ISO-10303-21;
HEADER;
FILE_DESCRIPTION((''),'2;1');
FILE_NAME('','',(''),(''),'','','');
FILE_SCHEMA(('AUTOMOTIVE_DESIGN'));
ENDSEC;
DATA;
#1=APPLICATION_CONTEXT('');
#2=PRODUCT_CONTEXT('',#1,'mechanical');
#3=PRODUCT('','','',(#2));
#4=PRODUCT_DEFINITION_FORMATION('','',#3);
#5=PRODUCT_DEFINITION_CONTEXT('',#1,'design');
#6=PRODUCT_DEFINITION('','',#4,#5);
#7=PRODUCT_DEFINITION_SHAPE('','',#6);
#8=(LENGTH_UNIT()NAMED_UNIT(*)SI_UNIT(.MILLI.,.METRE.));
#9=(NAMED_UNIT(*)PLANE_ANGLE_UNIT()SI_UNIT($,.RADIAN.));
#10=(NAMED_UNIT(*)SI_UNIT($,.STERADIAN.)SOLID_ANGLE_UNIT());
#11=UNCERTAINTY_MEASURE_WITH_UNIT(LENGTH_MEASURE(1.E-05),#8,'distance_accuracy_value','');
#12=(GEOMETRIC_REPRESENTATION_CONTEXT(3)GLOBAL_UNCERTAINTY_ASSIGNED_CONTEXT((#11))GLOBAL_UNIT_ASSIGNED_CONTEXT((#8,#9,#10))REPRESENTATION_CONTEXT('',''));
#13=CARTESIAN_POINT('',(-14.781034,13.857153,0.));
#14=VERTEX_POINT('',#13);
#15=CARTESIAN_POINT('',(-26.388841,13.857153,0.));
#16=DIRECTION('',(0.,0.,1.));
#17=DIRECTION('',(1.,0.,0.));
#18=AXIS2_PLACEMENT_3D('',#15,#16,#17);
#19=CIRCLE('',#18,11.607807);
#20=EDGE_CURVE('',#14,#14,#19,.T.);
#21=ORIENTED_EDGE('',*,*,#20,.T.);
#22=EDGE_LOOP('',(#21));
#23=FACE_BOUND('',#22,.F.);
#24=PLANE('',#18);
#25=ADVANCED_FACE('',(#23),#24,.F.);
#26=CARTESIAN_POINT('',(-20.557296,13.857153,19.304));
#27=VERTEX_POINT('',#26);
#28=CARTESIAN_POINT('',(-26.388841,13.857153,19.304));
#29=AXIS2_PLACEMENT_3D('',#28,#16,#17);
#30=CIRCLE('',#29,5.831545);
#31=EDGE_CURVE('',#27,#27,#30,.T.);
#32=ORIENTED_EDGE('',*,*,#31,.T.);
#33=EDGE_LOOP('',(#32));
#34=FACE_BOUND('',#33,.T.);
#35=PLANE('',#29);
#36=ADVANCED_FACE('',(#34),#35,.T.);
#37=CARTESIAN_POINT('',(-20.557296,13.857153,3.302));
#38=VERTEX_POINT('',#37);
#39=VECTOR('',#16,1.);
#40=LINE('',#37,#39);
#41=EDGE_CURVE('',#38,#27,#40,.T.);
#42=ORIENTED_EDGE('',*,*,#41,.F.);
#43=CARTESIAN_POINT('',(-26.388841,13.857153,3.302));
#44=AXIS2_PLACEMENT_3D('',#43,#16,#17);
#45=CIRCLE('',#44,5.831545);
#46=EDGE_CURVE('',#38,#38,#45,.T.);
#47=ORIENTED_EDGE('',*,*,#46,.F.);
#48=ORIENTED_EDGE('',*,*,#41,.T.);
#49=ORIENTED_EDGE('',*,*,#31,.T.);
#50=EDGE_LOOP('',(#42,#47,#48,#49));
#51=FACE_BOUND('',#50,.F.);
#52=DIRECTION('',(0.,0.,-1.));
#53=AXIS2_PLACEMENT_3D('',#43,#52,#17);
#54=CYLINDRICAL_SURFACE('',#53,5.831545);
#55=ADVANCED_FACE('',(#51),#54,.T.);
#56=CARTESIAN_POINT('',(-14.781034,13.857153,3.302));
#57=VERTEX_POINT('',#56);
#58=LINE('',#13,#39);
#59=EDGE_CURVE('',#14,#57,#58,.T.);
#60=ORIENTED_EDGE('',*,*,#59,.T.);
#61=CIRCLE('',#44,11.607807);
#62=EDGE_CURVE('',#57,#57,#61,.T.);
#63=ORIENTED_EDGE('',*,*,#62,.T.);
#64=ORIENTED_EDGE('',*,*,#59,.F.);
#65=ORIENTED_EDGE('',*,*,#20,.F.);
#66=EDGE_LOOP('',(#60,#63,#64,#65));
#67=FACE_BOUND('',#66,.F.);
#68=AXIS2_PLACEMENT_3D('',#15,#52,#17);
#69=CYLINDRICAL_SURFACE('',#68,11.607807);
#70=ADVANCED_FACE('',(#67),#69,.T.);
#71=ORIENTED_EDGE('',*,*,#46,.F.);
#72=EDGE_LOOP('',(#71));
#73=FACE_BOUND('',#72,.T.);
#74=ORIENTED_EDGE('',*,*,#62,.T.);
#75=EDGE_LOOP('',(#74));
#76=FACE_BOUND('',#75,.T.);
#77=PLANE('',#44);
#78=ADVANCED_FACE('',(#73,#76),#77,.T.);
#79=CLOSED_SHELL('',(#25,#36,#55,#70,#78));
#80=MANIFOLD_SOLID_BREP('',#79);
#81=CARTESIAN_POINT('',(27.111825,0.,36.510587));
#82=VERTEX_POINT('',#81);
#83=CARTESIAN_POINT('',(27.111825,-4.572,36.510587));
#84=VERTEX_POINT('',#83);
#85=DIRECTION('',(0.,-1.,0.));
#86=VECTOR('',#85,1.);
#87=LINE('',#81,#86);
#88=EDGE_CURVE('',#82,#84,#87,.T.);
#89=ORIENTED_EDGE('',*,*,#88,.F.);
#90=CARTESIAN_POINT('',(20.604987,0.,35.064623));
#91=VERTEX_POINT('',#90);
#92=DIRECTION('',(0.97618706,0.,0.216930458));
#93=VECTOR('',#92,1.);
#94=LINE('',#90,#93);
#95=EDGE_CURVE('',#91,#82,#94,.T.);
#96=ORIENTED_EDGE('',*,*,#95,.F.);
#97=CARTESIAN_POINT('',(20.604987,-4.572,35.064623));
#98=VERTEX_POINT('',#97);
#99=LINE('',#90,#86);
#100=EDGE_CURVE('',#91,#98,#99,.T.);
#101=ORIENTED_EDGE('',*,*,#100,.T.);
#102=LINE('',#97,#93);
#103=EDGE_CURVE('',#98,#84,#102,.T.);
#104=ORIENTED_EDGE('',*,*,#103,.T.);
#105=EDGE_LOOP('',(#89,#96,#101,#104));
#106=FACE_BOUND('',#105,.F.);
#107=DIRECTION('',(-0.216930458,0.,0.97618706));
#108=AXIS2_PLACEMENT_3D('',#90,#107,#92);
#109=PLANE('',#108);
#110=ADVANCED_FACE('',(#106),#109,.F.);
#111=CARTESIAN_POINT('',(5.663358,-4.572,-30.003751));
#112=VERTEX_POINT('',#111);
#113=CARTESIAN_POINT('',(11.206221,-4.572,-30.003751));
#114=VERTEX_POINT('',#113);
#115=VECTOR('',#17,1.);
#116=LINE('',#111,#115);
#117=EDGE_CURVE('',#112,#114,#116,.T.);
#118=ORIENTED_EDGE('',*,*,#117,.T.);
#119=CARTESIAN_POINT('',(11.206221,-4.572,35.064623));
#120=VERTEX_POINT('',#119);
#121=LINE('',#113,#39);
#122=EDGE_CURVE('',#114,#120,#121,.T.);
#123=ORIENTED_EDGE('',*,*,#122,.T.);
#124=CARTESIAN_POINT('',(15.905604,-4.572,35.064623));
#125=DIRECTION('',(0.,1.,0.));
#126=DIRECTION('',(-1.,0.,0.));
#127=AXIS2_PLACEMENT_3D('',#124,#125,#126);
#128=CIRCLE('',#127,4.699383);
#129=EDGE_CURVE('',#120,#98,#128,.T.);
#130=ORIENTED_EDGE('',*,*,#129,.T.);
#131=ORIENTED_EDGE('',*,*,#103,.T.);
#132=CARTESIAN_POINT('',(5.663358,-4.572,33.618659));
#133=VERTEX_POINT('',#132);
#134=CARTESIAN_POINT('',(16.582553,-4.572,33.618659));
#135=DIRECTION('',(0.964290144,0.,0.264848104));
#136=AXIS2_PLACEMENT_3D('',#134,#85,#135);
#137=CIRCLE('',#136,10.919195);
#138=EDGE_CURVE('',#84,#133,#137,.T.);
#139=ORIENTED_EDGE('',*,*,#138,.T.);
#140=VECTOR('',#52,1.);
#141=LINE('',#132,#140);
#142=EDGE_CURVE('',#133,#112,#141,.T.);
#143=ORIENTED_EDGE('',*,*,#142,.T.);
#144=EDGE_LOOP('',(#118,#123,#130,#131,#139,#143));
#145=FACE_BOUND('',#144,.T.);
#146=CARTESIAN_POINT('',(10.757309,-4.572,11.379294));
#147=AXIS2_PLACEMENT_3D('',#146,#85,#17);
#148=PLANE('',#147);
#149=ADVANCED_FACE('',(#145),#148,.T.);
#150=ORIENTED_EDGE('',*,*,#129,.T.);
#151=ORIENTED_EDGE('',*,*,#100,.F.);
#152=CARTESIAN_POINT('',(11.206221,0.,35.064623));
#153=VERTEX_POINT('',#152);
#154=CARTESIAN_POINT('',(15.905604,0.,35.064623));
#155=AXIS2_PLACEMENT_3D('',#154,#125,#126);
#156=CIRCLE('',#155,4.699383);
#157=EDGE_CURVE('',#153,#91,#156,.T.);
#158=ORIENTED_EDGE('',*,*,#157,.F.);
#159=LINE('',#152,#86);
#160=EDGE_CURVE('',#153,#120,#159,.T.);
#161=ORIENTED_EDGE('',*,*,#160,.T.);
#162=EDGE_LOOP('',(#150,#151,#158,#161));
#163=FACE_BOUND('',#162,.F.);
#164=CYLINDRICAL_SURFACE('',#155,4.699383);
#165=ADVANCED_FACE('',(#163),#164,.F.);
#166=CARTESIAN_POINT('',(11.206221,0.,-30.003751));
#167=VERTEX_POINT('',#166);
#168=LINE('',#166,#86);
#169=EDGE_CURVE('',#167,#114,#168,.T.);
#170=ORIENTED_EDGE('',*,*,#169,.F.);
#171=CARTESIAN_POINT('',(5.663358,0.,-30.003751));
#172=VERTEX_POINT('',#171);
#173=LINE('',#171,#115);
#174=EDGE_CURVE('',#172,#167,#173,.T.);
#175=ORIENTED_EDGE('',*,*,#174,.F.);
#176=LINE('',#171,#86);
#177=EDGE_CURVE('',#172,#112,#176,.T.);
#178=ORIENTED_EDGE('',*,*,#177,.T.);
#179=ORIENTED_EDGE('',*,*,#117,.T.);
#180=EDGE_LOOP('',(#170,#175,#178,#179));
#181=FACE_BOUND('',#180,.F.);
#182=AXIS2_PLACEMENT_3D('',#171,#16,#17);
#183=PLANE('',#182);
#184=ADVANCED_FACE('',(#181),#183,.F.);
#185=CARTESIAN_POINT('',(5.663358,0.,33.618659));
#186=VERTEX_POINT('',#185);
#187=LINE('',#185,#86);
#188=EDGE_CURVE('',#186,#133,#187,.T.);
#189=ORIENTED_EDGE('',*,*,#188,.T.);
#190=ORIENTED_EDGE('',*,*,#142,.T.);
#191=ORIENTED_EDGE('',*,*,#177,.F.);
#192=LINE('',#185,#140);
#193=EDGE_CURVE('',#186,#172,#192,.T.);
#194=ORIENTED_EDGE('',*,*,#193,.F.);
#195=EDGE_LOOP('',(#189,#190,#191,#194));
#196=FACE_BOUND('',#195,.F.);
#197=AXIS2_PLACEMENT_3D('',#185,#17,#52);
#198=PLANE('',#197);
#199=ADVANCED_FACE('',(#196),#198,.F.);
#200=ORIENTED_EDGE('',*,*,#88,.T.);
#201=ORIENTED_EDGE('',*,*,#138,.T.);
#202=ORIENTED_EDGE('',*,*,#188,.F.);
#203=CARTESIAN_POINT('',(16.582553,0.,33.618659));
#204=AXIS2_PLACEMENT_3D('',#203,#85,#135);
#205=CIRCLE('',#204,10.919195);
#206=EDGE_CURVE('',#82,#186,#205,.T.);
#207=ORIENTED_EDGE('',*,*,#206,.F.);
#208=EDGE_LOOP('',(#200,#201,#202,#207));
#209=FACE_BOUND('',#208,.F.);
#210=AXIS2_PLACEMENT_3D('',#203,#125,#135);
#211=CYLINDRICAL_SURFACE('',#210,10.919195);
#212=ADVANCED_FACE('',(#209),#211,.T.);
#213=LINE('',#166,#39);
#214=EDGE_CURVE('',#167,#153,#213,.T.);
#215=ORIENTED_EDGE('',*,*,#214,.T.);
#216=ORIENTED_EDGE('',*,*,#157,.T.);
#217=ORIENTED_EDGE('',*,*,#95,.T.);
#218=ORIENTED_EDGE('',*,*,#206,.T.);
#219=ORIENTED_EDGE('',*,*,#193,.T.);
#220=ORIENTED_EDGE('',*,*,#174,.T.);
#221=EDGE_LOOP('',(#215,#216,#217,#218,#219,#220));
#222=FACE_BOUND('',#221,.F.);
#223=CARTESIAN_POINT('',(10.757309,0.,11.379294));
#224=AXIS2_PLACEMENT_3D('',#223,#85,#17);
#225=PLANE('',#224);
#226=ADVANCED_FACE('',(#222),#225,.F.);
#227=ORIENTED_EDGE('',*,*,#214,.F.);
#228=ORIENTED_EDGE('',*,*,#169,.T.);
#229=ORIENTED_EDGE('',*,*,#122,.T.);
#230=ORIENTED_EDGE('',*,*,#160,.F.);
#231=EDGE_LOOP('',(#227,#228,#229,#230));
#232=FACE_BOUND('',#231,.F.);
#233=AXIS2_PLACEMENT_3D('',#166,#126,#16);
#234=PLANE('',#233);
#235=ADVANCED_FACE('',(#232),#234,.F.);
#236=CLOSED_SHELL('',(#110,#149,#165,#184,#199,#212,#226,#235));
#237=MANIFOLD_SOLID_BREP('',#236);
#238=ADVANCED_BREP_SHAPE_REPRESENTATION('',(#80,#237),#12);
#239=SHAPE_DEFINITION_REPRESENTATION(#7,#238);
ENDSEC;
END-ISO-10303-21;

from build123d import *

# Parameters (mm, degrees)
F1_DEPTH = 4.572
F2_R     = 11.607807
F3_DEPTH = 3.302
F4_R     = 5.831545
F5_DEPTH = 16.002


with BuildPart() as f1:
    # F0 (on Front) → F1 (new body)
    with BuildSketch(Plane.XZ):
        with BuildLine():
            Line((5.663358, 16.267093), (5.663358, -10.242244))
            Line((5.663358, -10.242244), (5.663358, -30.003751))
            Line((5.663358, -30.003751), (11.206221, -30.003751))
            Line((11.206221, -30.003751), (11.206221, -10.483238))
            Line((11.206221, -10.483238), (11.206221, 16.0261))
            Line((11.206221, 16.0261), (11.206221, 35.064623))
            ThreePointArc((11.206221, 35.064623), (15.905604, 39.764006), (20.604987, 35.064623))
            Line((20.604987, 35.064623), (27.111825, 36.510587))
            ThreePointArc((27.111825, 36.510587), (15.123504, 44.439934), (5.663358, 33.618659))
            Line((5.663358, 33.618659), (5.663358, 16.267093))
        make_face()
    extrude(amount=F1_DEPTH)


with BuildPart() as f3:
    # F2 (on Top) → F3 (new body)
    with BuildSketch(Plane.XY):
        with Locations((-26.388841, 13.857153)):
            Circle(F2_R)
    extrude(amount=F3_DEPTH)

    # F4 (on face) → F5 (join)
    with BuildSketch(Plane.XY.offset(3.302)):
        with Locations((-26.388841, 13.857153)):
            Circle(F4_R)
    extrude(amount=F5_DEPTH)


solid = Compound([f1.part, f3.part])
